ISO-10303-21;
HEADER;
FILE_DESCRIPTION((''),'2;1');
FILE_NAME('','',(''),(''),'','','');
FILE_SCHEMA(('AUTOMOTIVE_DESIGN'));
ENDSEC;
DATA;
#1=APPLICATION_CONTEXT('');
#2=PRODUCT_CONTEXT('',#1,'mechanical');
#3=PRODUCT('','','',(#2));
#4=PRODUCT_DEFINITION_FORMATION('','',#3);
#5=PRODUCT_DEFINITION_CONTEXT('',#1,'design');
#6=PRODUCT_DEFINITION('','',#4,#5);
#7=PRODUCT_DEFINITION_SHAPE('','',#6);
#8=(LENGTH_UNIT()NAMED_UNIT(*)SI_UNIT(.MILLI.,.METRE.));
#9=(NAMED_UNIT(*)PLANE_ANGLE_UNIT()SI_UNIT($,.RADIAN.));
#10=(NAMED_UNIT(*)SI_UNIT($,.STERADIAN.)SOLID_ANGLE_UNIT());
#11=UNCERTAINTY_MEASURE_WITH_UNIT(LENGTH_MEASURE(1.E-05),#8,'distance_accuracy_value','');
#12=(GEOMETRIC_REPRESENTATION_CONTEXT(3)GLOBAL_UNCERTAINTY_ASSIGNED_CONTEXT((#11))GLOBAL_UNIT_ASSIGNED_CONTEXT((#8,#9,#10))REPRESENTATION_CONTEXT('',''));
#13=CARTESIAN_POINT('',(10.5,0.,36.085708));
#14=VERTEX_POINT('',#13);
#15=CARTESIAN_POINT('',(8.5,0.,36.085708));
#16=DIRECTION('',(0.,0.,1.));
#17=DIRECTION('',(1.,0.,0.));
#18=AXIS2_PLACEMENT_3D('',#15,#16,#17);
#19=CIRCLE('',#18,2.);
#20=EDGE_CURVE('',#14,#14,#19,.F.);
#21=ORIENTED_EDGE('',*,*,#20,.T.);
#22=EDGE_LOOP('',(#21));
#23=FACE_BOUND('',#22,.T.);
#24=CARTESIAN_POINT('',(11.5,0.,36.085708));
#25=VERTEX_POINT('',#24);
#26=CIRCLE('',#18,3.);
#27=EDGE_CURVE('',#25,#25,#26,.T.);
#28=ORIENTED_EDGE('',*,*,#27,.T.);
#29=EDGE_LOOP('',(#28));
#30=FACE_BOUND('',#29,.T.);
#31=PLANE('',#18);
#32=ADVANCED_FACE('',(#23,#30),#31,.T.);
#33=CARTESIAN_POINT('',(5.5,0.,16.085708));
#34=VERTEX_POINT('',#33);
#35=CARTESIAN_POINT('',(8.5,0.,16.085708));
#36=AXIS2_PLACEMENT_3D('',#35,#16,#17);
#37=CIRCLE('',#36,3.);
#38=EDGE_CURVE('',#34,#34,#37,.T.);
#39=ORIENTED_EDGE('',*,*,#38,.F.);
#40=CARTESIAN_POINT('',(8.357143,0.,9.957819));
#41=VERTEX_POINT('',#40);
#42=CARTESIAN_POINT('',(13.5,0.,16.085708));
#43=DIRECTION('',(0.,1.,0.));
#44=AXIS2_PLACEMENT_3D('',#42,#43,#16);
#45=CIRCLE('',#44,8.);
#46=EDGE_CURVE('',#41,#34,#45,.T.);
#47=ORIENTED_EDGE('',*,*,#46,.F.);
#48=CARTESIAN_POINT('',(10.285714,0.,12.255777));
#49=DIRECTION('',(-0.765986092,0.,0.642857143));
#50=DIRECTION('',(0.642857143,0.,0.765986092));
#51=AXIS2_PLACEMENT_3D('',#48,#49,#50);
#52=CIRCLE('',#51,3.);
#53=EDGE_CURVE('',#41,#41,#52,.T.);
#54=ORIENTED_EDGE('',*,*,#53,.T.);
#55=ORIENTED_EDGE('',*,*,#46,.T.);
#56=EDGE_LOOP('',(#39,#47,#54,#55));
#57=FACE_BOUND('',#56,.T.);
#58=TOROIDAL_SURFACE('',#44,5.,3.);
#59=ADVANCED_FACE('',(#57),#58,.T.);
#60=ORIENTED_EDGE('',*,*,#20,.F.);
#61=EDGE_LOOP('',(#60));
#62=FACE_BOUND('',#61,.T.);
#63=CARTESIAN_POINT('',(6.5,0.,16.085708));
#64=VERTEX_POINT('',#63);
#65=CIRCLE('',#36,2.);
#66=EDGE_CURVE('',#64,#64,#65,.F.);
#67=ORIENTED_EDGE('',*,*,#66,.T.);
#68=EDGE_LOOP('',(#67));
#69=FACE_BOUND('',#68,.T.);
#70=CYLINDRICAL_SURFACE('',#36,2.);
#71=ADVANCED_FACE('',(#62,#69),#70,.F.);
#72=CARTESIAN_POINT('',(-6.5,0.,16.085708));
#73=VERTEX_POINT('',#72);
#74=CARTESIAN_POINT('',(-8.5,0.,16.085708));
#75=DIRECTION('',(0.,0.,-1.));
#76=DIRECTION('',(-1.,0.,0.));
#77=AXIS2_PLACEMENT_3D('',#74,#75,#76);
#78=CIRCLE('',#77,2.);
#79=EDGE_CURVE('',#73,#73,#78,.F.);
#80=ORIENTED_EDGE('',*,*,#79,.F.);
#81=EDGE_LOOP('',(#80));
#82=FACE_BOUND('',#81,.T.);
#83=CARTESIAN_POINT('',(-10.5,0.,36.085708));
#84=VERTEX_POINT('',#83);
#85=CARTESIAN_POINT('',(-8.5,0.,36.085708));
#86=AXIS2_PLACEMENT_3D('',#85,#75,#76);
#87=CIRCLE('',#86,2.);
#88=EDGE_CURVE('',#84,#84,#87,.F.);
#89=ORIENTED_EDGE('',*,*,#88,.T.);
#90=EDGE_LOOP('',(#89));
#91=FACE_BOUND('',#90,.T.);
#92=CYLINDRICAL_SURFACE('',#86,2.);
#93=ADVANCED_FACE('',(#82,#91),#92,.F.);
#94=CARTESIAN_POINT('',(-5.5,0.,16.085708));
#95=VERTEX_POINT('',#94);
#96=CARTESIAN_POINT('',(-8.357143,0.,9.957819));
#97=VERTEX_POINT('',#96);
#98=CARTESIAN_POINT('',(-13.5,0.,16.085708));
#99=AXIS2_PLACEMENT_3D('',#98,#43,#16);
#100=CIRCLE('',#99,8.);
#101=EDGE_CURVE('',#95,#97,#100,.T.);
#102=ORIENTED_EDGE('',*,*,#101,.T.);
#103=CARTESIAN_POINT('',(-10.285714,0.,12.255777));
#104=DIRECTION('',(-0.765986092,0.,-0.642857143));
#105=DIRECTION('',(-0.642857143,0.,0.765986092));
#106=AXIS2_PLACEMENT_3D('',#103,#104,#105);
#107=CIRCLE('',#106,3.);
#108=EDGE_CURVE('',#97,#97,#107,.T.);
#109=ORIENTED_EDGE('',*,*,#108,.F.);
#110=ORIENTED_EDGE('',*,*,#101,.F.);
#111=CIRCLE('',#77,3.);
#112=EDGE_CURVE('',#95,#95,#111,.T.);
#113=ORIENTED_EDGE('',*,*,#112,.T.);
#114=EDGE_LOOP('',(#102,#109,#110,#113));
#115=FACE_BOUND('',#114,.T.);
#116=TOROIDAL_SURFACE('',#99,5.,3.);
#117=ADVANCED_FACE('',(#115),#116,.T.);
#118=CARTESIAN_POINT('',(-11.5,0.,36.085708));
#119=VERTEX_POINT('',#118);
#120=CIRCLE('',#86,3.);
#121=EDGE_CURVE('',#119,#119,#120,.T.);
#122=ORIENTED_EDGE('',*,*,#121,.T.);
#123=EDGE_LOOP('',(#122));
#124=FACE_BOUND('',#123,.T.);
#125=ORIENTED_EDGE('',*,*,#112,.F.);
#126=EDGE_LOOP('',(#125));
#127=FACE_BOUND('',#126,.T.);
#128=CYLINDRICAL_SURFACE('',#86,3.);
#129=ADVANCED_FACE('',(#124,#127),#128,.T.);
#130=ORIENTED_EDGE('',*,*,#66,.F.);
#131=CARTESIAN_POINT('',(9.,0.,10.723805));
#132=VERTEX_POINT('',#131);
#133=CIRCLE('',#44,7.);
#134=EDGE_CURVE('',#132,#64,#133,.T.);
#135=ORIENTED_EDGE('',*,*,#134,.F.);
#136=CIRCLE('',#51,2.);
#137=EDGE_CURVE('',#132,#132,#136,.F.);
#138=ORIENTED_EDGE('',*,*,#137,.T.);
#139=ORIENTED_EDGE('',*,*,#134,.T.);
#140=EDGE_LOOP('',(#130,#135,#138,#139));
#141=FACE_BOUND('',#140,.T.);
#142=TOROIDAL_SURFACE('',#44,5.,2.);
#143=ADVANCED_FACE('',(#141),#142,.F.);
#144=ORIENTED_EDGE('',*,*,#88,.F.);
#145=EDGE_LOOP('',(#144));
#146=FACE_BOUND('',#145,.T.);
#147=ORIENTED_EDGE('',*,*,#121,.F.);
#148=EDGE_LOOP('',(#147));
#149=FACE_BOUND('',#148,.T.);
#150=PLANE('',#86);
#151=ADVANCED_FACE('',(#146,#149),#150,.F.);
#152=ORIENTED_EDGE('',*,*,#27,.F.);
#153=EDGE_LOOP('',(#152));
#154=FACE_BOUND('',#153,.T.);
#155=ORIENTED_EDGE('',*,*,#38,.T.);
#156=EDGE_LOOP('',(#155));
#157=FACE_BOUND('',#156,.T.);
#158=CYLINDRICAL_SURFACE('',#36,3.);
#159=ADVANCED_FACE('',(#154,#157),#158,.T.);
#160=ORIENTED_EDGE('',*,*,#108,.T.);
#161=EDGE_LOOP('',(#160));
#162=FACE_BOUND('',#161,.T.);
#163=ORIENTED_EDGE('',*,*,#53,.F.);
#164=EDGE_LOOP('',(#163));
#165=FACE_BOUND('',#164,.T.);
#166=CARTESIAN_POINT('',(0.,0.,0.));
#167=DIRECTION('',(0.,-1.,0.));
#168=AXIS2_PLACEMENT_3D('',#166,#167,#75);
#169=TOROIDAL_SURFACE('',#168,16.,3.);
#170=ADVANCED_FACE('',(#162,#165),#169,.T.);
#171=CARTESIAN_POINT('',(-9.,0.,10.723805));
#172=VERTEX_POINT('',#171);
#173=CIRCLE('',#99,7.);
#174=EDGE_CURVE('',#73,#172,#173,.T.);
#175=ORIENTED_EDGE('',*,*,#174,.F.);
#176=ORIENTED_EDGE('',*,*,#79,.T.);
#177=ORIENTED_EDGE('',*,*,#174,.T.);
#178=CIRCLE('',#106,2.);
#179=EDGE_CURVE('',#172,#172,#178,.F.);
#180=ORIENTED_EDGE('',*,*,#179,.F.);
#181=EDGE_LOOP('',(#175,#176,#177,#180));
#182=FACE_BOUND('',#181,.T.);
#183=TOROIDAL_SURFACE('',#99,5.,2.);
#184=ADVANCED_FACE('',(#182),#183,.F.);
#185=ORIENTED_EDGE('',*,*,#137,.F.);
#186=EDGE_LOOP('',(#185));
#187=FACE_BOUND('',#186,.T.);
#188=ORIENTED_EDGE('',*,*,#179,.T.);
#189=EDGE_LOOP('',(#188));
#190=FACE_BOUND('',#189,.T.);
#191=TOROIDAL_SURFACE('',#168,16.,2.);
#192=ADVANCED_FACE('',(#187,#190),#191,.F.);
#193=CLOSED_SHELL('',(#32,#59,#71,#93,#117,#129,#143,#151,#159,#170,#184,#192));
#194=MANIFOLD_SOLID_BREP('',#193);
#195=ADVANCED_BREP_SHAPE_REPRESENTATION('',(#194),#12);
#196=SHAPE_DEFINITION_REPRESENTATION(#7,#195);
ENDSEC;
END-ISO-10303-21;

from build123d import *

# Parameters (mm, degrees)
SKETCH2_R   = 3
SKETCH2_R_2 = 2


with BuildPart() as part:
    # Sweep1: sweep along a path in Sketch1
    with BuildLine(Plane(origin=(0, 0, 0), x_dir=(1, 0, 0), z_dir=(0, 1, 0))) as sweep1_path:
        Line((8.5, -36.085707942), (8.5, -16.085707942))
        ThreePointArc((8.5, -16.085707942), (8.968365164, -13.972822305), (10.285714286, -12.25577748))
        ThreePointArc((10.285714286, -12.25577748), (0, 16), (-10.285714286, -12.25577748))
        ThreePointArc((-10.285714286, -12.25577748), (-8.968365164, -13.972822305), (-8.5, -16.085707942))
        Line((-8.5, -16.085707942), (-8.5, -36.085707942))
    # Sketch2 → Sweep1 (sweep)
    with BuildSketch(Plane(origin=(-8.5, 0, 36.085707942), x_dir=(-1, 0, 0), z_dir=(0, 0, -1))):
        Circle(SKETCH2_R)
        Circle(SKETCH2_R_2, mode=Mode.SUBTRACT)
    sweep(path=sweep1_path.line)


solid = part.part
